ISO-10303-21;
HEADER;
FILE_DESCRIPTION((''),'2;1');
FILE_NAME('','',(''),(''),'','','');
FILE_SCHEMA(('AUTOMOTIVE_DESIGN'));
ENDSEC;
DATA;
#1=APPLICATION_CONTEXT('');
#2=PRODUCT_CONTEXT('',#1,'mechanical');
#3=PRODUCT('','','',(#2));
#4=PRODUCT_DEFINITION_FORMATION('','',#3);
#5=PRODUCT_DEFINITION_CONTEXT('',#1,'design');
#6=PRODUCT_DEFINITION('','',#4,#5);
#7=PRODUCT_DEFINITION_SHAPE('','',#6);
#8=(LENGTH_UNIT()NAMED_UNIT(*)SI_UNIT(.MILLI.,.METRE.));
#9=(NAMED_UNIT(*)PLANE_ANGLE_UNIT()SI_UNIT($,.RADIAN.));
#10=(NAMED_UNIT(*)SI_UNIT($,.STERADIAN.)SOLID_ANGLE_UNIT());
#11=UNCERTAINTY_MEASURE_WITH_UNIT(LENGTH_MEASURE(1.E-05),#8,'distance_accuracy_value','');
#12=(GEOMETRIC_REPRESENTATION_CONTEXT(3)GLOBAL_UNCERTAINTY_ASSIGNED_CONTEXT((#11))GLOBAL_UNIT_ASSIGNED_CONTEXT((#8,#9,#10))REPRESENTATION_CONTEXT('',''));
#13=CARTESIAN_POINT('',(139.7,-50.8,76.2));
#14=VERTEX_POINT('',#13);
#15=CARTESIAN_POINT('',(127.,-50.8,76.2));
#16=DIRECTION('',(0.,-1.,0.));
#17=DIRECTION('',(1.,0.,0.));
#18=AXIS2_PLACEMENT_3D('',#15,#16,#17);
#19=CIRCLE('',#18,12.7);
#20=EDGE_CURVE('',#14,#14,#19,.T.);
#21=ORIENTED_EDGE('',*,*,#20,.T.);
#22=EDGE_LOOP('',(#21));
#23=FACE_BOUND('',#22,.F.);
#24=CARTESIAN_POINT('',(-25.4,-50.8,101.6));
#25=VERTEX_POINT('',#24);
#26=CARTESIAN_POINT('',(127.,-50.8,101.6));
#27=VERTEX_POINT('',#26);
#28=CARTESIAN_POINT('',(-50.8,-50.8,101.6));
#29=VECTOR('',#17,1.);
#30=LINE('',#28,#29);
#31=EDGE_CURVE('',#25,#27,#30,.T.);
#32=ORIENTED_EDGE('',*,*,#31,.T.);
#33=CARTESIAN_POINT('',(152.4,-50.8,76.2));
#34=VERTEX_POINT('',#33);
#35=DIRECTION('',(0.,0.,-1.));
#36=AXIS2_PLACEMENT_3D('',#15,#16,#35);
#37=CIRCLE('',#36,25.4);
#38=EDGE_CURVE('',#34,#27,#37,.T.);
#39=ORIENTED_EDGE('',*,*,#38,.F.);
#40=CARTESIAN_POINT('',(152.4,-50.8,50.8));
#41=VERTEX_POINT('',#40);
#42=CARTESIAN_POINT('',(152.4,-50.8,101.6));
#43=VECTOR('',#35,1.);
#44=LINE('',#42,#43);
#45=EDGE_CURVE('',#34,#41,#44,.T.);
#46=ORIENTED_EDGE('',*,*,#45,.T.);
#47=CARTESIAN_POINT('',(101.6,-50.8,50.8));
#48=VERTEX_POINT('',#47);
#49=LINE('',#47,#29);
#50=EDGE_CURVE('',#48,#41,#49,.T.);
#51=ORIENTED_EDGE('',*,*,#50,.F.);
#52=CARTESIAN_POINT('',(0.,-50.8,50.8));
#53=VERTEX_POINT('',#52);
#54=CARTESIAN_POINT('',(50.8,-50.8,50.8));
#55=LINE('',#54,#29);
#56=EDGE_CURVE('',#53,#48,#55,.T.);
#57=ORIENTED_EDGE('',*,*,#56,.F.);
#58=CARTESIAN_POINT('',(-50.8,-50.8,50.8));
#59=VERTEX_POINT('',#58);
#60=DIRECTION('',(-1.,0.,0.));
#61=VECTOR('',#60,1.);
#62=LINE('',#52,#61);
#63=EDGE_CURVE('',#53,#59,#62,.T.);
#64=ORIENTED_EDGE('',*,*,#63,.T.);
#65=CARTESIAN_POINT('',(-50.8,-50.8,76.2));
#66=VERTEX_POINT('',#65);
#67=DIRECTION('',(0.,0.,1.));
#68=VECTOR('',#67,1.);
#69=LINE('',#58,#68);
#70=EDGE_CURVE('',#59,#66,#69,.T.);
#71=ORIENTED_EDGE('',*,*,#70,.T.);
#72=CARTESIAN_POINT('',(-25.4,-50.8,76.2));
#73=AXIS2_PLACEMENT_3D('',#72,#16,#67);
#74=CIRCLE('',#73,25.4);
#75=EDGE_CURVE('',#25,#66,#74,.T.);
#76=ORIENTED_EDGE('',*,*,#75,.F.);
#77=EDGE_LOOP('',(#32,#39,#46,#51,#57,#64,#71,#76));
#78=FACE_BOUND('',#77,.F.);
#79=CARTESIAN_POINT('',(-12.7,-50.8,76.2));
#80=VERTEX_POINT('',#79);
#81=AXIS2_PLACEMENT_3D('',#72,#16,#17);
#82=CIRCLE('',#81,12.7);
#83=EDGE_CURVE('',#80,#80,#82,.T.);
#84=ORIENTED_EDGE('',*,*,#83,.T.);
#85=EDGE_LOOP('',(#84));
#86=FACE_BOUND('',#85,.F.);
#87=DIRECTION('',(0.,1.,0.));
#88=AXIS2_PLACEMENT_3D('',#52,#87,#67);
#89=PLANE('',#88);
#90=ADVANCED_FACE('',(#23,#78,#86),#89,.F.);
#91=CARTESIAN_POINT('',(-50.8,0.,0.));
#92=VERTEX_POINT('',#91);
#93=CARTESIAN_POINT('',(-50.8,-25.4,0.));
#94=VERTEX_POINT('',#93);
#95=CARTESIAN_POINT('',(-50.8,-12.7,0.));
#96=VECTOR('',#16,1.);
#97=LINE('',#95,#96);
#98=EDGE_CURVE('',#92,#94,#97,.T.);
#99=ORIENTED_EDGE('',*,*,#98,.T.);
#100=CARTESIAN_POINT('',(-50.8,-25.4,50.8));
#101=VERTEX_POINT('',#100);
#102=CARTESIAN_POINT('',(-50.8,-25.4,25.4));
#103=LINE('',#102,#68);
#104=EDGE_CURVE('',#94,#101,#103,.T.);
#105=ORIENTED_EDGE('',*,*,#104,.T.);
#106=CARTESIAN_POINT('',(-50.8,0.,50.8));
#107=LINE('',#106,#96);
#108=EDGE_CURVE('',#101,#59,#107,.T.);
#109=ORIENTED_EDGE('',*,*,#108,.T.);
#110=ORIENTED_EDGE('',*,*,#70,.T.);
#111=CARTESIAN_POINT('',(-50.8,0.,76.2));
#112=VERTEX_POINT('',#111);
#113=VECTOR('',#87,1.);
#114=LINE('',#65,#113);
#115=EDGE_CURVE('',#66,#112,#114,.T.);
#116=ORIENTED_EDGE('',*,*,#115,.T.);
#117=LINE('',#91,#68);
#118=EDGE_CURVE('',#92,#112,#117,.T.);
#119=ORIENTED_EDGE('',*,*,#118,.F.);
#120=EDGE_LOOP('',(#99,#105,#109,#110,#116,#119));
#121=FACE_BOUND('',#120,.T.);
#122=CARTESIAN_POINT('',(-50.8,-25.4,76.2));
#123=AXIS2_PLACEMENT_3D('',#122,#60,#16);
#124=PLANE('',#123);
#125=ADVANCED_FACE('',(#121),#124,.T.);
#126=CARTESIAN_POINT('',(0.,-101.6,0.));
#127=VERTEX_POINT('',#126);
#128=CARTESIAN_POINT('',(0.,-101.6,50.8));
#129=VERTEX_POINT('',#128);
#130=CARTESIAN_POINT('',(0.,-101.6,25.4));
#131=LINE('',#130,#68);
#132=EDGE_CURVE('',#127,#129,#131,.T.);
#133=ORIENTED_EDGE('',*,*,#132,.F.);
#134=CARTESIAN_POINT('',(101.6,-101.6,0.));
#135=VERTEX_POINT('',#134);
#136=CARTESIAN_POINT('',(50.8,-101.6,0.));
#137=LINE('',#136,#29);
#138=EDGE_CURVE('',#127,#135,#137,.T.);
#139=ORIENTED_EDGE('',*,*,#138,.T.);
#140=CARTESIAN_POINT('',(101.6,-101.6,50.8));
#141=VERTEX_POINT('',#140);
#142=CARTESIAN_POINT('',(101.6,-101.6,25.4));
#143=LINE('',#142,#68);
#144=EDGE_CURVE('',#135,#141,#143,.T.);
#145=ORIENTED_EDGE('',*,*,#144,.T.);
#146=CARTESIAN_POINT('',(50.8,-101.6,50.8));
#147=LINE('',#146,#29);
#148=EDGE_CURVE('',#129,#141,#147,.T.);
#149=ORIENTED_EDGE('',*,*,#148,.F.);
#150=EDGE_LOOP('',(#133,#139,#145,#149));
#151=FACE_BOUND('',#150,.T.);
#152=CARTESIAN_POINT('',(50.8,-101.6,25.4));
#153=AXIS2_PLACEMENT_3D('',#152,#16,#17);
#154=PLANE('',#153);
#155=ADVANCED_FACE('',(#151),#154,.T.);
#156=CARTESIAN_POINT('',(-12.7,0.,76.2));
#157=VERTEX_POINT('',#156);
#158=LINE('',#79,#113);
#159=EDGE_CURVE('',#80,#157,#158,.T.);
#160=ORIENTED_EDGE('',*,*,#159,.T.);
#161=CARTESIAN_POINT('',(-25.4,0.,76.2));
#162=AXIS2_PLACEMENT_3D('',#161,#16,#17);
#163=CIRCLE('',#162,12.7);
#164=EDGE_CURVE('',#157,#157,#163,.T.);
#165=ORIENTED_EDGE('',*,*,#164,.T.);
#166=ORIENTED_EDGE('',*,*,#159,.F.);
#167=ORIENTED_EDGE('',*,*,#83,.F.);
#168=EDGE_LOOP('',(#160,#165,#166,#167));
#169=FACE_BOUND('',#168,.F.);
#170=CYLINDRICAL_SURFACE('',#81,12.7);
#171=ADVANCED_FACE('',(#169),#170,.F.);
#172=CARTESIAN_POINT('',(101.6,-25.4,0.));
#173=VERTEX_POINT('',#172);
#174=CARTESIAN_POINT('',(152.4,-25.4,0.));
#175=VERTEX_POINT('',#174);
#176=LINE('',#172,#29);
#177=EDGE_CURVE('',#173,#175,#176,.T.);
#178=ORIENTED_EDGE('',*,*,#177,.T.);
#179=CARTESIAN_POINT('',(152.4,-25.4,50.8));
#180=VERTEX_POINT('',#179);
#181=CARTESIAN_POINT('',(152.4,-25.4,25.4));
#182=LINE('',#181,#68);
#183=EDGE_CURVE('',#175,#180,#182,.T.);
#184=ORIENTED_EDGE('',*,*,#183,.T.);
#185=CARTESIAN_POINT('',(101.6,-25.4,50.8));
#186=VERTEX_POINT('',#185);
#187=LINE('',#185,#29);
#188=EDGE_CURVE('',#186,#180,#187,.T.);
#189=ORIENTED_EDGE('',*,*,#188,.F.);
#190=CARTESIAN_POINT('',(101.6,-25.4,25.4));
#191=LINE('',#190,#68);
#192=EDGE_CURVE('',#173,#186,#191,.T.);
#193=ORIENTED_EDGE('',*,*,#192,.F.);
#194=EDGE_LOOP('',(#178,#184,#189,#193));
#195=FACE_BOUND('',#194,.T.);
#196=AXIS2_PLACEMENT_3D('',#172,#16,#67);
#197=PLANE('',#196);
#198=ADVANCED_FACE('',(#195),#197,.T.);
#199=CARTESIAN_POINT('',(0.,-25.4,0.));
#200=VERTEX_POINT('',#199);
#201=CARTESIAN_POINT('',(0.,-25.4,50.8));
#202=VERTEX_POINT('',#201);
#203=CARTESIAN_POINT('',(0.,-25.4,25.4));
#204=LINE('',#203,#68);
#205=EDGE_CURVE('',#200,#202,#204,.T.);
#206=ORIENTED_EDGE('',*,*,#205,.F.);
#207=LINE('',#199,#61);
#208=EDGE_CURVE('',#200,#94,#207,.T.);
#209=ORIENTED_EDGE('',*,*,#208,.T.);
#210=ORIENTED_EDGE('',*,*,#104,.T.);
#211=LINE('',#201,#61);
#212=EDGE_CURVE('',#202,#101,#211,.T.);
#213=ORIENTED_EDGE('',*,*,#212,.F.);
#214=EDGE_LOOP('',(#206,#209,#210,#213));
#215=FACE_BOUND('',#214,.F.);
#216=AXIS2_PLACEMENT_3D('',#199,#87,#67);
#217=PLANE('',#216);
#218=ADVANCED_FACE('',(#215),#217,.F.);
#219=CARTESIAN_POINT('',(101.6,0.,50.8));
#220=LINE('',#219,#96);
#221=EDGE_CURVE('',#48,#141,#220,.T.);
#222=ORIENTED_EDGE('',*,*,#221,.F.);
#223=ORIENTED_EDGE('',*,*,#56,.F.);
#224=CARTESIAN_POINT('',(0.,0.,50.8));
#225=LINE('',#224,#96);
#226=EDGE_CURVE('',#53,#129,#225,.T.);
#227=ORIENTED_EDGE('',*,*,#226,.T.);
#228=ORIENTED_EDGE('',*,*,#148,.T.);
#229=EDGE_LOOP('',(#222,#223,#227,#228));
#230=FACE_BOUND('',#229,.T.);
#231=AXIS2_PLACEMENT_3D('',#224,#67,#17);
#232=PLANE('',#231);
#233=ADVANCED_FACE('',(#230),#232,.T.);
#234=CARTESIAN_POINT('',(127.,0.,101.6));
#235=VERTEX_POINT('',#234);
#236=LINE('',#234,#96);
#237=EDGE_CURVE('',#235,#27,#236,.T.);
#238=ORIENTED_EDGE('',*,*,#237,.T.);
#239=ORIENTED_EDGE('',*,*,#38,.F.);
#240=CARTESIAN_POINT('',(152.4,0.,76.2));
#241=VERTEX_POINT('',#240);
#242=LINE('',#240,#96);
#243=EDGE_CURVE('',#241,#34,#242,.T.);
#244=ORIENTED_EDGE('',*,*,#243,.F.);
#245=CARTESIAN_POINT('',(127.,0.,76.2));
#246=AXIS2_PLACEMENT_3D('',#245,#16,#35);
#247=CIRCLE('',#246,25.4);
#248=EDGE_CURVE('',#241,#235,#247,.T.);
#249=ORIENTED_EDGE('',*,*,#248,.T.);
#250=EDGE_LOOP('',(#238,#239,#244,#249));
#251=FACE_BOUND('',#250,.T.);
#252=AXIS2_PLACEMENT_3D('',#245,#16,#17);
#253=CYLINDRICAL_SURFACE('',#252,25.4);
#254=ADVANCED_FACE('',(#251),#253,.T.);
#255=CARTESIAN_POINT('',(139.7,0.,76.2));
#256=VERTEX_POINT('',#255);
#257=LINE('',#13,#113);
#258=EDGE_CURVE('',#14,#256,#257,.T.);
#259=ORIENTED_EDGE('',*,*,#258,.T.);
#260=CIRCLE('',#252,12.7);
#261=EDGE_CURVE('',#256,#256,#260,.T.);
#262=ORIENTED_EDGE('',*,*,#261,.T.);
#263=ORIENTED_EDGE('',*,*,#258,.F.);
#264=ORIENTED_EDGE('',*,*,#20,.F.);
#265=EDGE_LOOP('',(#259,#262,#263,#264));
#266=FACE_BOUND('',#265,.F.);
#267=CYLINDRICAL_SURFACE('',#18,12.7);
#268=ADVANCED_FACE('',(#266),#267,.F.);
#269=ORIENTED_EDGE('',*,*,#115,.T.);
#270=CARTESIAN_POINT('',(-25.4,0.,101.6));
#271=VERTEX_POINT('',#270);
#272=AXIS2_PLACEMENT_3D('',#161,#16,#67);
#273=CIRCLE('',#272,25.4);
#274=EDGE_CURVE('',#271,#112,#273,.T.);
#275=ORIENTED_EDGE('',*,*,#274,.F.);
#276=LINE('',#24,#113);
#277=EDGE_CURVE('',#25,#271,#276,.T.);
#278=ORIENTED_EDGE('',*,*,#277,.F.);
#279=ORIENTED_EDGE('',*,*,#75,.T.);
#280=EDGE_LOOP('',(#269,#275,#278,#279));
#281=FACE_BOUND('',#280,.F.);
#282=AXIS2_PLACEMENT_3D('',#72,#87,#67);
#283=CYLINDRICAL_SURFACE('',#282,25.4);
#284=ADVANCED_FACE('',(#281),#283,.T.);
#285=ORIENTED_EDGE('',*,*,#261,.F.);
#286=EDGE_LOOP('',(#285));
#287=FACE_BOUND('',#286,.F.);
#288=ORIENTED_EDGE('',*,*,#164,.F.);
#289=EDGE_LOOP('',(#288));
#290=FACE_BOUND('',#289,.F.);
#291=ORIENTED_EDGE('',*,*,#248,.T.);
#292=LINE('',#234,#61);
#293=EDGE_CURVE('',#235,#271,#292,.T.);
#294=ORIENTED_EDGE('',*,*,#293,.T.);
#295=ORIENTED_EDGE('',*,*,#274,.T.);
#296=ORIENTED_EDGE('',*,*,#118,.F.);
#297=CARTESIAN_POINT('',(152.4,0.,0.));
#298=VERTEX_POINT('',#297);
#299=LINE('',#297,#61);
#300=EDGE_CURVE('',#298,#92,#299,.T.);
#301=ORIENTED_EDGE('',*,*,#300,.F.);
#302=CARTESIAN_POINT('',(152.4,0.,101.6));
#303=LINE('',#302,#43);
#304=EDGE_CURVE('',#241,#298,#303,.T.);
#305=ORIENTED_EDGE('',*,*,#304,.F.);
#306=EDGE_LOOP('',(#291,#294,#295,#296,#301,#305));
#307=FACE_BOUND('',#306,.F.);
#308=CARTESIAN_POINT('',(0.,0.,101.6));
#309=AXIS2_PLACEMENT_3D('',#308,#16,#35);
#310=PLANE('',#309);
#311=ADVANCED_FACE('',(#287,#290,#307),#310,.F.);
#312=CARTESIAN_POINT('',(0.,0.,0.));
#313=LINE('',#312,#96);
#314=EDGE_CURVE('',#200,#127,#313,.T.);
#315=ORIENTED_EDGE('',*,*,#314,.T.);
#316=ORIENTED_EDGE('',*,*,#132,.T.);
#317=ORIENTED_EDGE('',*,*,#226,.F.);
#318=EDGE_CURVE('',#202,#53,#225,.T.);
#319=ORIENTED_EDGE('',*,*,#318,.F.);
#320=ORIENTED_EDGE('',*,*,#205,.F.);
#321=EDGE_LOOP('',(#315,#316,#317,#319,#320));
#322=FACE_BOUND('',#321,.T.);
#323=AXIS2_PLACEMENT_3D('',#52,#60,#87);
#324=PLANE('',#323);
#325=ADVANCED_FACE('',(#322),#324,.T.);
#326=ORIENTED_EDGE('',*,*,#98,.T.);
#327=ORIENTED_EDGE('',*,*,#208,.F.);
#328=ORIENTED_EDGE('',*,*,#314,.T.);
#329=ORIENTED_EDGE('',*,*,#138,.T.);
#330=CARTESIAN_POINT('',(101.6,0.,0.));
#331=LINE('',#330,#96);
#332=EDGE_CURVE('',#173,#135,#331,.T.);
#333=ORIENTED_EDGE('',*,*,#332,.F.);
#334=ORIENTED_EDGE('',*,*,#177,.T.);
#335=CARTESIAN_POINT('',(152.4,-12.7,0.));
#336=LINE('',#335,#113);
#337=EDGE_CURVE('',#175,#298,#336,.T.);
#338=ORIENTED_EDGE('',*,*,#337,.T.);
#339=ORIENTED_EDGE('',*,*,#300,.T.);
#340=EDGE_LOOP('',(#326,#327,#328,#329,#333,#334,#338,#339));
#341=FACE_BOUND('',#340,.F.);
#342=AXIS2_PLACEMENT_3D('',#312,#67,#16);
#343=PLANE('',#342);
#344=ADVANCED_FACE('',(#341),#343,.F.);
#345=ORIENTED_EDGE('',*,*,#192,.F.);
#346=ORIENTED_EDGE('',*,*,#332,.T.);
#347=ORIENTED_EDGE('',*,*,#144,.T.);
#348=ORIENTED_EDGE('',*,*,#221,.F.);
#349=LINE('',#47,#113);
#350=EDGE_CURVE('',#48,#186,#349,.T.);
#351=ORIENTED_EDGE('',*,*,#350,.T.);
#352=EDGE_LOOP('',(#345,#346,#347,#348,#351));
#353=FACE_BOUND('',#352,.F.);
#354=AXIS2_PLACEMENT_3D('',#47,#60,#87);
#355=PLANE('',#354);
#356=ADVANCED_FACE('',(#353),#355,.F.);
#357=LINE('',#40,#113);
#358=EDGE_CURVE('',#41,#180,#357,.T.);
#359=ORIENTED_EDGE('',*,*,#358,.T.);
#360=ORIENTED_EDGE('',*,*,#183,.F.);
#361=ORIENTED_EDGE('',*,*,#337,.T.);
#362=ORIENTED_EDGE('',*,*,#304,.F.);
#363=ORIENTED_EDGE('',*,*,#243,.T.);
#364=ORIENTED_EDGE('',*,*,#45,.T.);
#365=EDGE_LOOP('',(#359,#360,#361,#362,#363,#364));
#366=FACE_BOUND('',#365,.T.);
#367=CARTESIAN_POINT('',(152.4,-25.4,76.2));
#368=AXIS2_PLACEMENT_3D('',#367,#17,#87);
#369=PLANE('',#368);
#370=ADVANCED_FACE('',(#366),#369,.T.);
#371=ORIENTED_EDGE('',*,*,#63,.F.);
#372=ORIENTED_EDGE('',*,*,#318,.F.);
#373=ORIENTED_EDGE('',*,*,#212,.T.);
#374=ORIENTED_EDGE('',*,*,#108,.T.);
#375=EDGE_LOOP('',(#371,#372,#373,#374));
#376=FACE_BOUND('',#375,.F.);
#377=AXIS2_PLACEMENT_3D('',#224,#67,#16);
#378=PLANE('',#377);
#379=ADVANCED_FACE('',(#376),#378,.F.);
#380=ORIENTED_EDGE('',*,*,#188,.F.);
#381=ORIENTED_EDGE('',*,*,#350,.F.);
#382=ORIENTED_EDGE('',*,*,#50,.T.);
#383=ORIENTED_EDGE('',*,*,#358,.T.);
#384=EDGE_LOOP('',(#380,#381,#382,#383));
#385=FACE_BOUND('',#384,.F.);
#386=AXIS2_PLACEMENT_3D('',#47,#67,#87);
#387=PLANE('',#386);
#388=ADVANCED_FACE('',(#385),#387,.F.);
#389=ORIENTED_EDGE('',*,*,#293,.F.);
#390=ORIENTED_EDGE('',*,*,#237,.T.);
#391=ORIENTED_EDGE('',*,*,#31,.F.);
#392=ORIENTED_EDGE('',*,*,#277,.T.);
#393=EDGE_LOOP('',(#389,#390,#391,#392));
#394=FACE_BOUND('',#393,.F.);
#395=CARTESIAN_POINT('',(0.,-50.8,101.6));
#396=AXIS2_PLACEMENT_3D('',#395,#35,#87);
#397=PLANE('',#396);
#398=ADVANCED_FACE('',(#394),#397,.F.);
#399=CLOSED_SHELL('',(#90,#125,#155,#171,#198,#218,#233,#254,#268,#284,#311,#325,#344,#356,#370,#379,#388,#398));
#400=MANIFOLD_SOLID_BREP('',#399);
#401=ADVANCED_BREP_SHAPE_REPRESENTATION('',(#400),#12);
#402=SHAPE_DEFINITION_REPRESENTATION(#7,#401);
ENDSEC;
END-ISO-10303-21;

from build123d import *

# Parameters (mm, degrees)
F0_W      = 101.6
F0_H      = 50.8
F1_DEPTH  = 101.6
F2_W      = 101.6
F2_H      = 50.8
F3_DEPTH  = 50.8
F4_W      = 25.4
F4_H      = 50.8
F5_DEPTH  = 50.8
F7_DEPTH  = 50.8
F8_R      = 25.4
F9_W      = 25.4
F9_H      = 50.8
F10_DEPTH = 50.8
F12_DEPTH = 50.8
F13_R     = 25.4
F14_R     = 12.7
F15_DEPTH = 101.6
F16_R     = 12.7
F17_DEPTH = 101.6


with BuildPart() as f1:
    # F0 (on Front) → F1 (new body)
    with BuildSketch(Plane.XZ):
        with Locations((50.8, 25.4)):
            Rectangle(F0_W, F0_H)
    extrude(amount=F1_DEPTH)

    # F2 (on face) → F3 (join)
    with BuildSketch(Plane.XY.offset(50.8)):
        with Locations((50.8, -25.4)):
            Rectangle(F2_W, F2_H)
    extrude(amount=F3_DEPTH)

    # F4 (on face) → F5 (join)
    with BuildSketch(Plane.YZ.offset(101.6)):
        with Locations((-12.7, 25.4)):
            Rectangle(F4_W, F4_H)
    extrude(amount=F5_DEPTH)

    # F6 (on face) → F7 (join)
    with BuildSketch(Plane.YZ.offset(101.6)):
        Polygon((0, 50.8), (0, 101.6), (-50.8, 101.6), (-50.8, 50.8), (-25.4, 50.8), align=None)
    extrude(amount=F7_DEPTH)

    # F8
    f8_edges = [f1.edges().sort_by_distance(p)[0] for p in [
        (152.4, -25.4, 101.6),
    ]]
    fillet(f8_edges, radius=F8_R)

    # F9 (on face) → F10 (join)
    with BuildSketch(Plane(origin=(0, 0, 0), x_dir=(0, -1, 0), z_dir=(-1, 0, 0))):
        with Locations((12.7, 25.4)):
            Rectangle(F9_W, F9_H)
    extrude(amount=F10_DEPTH)

    # F11 (on face) → F12 (join)
    with BuildSketch(Plane(origin=(0, 0, 0), x_dir=(0, -1, 0), z_dir=(-1, 0, 0))):
        Polygon((50.8, 101.6), (0, 101.6), (0, 50.8), (25.4, 50.8), (50.8, 50.8), align=None)
    extrude(amount=F12_DEPTH)

    # F13
    f13_edges = [f1.edges().sort_by_distance(p)[0] for p in [
        (-50.8, -25.4, 101.6),
    ]]
    fillet(f13_edges, radius=F13_R)

    # F14 (on face) → F15 (cut)
    with BuildSketch(Plane.XZ.offset(50.8)):
        with Locations((-25.4, 76.2)):
            Circle(F14_R)
    extrude(amount=-F15_DEPTH, mode=Mode.SUBTRACT)

    # F16 (on face) → F17 (cut)
    with BuildSketch(Plane.XZ.offset(50.8)):
        with Locations((127, 76.2)):
            Circle(F16_R)
    extrude(amount=-F17_DEPTH, mode=Mode.SUBTRACT)


solid = f1.part
